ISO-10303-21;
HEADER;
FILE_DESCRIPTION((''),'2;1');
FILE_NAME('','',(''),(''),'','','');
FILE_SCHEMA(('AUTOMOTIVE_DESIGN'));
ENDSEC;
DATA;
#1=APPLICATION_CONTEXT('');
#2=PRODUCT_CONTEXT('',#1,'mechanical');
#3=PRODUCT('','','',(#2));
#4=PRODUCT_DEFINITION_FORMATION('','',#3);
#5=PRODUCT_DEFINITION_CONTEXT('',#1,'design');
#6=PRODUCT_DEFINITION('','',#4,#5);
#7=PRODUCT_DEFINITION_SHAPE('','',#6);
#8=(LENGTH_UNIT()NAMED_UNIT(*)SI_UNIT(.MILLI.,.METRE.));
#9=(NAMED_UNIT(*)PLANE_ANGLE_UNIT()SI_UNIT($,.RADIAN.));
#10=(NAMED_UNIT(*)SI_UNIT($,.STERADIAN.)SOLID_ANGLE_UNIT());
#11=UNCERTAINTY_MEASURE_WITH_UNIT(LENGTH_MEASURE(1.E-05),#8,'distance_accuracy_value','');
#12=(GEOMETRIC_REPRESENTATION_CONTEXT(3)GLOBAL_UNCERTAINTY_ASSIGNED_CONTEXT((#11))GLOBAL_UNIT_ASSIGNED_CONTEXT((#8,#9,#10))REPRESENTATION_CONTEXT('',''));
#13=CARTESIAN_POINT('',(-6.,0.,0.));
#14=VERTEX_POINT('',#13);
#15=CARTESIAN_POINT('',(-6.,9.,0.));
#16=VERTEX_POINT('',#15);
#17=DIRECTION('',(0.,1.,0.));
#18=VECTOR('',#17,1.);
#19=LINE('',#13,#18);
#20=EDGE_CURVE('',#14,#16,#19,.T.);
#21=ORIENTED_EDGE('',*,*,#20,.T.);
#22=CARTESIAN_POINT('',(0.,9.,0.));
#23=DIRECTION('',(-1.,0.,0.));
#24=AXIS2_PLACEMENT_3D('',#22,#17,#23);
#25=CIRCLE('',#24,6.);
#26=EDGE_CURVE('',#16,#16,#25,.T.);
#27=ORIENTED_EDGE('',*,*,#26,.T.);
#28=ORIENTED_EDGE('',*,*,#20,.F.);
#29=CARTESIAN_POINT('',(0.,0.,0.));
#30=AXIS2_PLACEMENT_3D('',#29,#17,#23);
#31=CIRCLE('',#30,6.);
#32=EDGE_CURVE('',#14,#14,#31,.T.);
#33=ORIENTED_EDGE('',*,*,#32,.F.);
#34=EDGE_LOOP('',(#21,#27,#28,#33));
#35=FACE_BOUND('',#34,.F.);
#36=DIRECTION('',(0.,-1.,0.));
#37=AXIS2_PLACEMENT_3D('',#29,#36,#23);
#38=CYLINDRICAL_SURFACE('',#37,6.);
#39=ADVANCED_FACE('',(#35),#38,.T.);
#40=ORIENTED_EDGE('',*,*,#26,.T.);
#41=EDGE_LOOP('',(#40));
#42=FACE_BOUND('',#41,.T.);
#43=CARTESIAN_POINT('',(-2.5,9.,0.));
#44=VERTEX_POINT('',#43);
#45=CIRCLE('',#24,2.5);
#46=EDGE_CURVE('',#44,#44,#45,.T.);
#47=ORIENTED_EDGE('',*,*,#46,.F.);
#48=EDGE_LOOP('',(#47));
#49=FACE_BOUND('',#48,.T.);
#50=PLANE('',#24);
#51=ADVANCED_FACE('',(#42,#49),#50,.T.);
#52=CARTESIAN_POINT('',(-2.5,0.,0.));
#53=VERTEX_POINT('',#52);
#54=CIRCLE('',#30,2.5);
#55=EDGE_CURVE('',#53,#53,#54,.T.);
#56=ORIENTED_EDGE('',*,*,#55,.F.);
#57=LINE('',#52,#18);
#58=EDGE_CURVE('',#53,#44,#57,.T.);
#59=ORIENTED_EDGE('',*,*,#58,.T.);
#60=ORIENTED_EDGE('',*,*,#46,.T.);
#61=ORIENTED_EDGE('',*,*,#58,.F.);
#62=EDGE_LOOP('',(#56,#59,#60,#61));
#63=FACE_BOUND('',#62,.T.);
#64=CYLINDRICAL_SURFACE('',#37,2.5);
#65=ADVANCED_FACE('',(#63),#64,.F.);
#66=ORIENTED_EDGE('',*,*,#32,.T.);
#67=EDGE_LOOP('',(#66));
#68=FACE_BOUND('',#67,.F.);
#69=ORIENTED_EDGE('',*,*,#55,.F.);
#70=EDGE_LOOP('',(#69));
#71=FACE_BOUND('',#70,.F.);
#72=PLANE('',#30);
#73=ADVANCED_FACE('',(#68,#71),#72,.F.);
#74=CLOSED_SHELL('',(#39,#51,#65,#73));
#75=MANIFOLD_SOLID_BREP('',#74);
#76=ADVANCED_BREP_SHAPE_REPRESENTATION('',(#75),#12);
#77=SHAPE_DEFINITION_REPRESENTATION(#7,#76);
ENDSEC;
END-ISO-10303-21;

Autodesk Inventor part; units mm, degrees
ref_plane "YZ Plane" through (0, 0, 0) normal (1, 0, 0) x (0, 1, 0)
ref_plane "XZ Plane" through (0, 0, 0) normal (0, 1, 0) x (-1, 0, 0)
ref_plane "XY Plane" through (0, 0, 0) normal (0, 0, 1) x (1, 0, 0)
sketch "Sketch1" plane through (0, 0, 0) normal (0, 1, 0) x (-1, 0, 0)
  circle A0 centre (0, 0) radius 6
  circle A1 centre (0, 0) radius 2.5
  dimension "d0" = 12
  dimension "d1" = 5
extrude "Extrusion1" add sketch "Sketch1" along normal blind 9
properties part number "roller"
